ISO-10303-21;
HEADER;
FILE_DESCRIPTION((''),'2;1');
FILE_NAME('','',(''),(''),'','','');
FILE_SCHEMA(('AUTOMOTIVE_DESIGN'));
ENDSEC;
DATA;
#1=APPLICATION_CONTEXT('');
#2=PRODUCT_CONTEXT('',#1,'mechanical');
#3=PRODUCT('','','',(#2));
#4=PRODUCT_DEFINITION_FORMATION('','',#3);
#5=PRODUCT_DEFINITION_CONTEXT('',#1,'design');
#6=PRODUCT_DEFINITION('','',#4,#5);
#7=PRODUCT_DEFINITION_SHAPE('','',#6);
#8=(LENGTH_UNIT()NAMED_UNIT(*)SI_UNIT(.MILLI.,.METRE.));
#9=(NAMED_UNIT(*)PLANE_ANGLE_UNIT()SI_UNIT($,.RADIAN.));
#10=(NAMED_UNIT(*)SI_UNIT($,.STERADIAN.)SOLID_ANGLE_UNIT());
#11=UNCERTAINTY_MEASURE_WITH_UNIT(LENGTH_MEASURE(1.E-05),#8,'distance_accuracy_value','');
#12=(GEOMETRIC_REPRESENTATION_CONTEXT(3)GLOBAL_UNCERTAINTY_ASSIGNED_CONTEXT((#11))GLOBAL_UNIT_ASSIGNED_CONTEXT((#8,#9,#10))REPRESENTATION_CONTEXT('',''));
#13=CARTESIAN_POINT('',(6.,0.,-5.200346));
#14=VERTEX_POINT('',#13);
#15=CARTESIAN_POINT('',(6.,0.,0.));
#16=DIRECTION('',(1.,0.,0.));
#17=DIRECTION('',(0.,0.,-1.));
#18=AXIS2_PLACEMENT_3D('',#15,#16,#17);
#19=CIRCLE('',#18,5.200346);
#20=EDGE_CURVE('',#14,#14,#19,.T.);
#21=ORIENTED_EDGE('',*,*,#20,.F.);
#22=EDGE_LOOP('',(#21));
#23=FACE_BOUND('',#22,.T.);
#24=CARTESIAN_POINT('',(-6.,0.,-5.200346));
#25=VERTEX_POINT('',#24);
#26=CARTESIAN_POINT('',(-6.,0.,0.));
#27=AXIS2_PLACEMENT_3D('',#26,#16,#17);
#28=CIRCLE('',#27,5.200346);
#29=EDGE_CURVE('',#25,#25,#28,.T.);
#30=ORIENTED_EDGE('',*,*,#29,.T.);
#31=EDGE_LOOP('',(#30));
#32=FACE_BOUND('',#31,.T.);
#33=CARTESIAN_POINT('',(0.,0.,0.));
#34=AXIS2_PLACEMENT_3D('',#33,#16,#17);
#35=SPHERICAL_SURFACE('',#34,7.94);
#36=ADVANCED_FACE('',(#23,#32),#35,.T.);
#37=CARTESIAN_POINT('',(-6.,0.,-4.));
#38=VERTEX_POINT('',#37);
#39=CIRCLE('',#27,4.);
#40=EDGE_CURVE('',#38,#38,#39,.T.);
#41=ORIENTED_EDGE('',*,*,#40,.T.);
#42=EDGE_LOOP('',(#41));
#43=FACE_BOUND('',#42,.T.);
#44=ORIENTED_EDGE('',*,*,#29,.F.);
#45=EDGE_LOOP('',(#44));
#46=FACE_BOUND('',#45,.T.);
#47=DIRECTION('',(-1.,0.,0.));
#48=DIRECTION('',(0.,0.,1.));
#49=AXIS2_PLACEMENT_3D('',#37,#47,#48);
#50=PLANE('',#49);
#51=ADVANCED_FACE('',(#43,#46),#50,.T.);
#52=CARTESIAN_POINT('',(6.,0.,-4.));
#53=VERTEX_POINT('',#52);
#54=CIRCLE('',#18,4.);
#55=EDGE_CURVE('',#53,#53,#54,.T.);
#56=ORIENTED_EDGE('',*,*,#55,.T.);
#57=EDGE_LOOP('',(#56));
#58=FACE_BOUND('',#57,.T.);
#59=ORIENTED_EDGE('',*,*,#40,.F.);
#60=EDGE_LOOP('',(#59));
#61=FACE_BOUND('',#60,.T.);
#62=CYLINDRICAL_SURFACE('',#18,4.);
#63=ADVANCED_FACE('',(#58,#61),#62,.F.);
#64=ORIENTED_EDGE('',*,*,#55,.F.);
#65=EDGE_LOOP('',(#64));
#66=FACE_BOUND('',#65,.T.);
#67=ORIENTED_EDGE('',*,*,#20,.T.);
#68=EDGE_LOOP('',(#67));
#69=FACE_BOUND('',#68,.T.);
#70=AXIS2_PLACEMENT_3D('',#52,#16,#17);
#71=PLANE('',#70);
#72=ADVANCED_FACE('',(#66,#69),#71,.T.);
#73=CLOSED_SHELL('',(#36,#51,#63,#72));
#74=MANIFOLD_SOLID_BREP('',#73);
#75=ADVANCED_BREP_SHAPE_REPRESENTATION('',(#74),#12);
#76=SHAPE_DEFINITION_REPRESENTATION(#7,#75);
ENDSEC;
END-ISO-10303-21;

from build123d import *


with BuildPart() as part:
    # Sketch1 → Revolve1 (revolve)
    with BuildSketch(Plane(origin=(0, 0, 0), x_dir=(1, 0, 0), z_dir=(0, 1, 0))):
        with BuildLine():
            Line((6, 4), (-6, 4))
            Line((-6, 4), (-6, 5.200346142))
            ThreePointArc((-6, 5.200346142), (0, 7.94), (6, 5.200346142))
            Line((6, 5.200346142), (6, 4))
        make_face()
    revolve(axis=Axis((6, 0, 0), (-1, 0, 0)))


solid = part.part
